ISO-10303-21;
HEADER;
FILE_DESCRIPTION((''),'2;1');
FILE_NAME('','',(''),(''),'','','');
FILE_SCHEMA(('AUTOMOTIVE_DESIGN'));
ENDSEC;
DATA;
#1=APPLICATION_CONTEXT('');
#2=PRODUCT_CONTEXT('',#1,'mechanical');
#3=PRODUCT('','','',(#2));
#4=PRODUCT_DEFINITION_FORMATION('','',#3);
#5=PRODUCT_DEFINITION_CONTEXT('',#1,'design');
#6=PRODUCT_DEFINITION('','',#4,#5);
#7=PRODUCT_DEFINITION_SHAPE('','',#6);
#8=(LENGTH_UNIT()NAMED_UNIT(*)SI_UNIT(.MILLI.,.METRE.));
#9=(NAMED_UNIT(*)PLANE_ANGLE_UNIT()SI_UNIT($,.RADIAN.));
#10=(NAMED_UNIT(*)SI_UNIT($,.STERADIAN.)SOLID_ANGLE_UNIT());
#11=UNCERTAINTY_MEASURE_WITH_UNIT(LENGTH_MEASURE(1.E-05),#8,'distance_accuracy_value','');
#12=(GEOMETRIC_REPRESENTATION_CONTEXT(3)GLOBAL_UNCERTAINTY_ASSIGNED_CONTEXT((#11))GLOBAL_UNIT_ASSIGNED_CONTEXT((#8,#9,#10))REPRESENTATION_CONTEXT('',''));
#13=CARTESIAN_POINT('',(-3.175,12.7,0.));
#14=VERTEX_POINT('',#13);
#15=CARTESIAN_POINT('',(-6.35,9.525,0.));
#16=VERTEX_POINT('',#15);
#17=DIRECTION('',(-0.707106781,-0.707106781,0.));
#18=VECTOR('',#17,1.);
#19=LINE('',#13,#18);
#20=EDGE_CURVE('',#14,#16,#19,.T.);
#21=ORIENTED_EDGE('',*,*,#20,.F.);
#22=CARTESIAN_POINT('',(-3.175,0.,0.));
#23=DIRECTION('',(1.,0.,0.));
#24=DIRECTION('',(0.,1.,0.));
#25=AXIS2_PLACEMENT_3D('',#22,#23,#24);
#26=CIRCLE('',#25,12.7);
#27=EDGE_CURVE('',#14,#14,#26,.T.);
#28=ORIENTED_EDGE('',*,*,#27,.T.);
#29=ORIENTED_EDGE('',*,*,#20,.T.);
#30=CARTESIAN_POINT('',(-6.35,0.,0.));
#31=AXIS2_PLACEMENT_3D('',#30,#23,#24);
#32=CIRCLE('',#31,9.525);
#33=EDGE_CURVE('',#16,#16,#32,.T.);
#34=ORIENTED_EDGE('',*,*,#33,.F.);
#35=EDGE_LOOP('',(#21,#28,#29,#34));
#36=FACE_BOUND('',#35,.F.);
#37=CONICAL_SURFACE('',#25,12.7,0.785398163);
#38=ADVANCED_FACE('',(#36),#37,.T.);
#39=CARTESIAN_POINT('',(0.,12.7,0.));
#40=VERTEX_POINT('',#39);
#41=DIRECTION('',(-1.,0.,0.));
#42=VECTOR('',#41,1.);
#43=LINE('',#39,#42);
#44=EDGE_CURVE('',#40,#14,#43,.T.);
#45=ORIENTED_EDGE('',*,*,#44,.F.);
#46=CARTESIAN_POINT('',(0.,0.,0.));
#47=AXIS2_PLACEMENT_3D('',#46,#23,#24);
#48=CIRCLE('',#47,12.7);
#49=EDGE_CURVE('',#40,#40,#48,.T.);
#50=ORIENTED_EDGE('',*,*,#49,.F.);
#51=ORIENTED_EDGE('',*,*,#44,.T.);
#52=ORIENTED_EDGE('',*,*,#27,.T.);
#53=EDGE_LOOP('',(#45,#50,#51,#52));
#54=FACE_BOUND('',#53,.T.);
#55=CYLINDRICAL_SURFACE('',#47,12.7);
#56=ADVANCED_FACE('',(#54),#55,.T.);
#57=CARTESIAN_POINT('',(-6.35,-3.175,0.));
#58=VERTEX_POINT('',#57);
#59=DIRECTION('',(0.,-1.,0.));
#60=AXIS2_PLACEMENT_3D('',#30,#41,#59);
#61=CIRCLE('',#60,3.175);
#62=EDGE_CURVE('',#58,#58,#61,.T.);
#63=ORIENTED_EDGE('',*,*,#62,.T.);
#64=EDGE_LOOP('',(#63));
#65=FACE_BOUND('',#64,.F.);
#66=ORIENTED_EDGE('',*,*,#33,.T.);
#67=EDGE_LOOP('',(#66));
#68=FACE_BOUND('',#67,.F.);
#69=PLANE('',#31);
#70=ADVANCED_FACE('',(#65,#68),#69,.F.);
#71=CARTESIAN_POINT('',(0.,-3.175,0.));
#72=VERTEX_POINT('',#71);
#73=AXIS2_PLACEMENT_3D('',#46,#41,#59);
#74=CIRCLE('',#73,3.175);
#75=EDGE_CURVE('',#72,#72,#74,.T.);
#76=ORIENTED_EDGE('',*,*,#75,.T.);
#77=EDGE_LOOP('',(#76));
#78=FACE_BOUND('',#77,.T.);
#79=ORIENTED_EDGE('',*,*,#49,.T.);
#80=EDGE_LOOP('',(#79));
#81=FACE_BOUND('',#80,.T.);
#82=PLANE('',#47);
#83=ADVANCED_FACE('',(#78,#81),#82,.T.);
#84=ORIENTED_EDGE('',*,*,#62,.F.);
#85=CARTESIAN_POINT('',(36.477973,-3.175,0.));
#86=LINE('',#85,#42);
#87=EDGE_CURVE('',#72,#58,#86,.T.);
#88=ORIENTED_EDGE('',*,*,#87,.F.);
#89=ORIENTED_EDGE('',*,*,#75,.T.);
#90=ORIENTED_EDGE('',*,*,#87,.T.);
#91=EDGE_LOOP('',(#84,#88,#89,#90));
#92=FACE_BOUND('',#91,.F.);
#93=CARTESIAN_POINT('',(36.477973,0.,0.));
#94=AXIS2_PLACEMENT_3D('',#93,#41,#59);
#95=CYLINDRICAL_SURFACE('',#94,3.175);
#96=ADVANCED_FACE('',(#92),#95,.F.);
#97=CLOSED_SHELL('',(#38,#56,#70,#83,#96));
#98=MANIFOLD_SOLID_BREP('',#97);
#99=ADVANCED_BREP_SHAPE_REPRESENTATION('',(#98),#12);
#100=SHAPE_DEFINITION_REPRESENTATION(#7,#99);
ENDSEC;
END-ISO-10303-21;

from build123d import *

# Parameters (mm, degrees)
F0_R     = 12.7
F1_DEPTH = 6.35
F3_D     = 6.35
F4_SIZE  = 3.175


with BuildPart() as f1:
    # F0 (on Right) → F1 (new body)
    with BuildSketch(Plane.YZ):
        Circle(F0_R)
    extrude(amount=-F1_DEPTH)

    # F3 (through all)
    with Locations(Plane.YZ):
        with Locations((0, 0)):
            Hole(F3_D / 2)

    # F4
    f4_edges = [f1.edges().sort_by_distance(p)[0] for p in [
        (-6.35, -12.7, 0),
    ]]
    chamfer(f4_edges, length=F4_SIZE)


solid = f1.part
